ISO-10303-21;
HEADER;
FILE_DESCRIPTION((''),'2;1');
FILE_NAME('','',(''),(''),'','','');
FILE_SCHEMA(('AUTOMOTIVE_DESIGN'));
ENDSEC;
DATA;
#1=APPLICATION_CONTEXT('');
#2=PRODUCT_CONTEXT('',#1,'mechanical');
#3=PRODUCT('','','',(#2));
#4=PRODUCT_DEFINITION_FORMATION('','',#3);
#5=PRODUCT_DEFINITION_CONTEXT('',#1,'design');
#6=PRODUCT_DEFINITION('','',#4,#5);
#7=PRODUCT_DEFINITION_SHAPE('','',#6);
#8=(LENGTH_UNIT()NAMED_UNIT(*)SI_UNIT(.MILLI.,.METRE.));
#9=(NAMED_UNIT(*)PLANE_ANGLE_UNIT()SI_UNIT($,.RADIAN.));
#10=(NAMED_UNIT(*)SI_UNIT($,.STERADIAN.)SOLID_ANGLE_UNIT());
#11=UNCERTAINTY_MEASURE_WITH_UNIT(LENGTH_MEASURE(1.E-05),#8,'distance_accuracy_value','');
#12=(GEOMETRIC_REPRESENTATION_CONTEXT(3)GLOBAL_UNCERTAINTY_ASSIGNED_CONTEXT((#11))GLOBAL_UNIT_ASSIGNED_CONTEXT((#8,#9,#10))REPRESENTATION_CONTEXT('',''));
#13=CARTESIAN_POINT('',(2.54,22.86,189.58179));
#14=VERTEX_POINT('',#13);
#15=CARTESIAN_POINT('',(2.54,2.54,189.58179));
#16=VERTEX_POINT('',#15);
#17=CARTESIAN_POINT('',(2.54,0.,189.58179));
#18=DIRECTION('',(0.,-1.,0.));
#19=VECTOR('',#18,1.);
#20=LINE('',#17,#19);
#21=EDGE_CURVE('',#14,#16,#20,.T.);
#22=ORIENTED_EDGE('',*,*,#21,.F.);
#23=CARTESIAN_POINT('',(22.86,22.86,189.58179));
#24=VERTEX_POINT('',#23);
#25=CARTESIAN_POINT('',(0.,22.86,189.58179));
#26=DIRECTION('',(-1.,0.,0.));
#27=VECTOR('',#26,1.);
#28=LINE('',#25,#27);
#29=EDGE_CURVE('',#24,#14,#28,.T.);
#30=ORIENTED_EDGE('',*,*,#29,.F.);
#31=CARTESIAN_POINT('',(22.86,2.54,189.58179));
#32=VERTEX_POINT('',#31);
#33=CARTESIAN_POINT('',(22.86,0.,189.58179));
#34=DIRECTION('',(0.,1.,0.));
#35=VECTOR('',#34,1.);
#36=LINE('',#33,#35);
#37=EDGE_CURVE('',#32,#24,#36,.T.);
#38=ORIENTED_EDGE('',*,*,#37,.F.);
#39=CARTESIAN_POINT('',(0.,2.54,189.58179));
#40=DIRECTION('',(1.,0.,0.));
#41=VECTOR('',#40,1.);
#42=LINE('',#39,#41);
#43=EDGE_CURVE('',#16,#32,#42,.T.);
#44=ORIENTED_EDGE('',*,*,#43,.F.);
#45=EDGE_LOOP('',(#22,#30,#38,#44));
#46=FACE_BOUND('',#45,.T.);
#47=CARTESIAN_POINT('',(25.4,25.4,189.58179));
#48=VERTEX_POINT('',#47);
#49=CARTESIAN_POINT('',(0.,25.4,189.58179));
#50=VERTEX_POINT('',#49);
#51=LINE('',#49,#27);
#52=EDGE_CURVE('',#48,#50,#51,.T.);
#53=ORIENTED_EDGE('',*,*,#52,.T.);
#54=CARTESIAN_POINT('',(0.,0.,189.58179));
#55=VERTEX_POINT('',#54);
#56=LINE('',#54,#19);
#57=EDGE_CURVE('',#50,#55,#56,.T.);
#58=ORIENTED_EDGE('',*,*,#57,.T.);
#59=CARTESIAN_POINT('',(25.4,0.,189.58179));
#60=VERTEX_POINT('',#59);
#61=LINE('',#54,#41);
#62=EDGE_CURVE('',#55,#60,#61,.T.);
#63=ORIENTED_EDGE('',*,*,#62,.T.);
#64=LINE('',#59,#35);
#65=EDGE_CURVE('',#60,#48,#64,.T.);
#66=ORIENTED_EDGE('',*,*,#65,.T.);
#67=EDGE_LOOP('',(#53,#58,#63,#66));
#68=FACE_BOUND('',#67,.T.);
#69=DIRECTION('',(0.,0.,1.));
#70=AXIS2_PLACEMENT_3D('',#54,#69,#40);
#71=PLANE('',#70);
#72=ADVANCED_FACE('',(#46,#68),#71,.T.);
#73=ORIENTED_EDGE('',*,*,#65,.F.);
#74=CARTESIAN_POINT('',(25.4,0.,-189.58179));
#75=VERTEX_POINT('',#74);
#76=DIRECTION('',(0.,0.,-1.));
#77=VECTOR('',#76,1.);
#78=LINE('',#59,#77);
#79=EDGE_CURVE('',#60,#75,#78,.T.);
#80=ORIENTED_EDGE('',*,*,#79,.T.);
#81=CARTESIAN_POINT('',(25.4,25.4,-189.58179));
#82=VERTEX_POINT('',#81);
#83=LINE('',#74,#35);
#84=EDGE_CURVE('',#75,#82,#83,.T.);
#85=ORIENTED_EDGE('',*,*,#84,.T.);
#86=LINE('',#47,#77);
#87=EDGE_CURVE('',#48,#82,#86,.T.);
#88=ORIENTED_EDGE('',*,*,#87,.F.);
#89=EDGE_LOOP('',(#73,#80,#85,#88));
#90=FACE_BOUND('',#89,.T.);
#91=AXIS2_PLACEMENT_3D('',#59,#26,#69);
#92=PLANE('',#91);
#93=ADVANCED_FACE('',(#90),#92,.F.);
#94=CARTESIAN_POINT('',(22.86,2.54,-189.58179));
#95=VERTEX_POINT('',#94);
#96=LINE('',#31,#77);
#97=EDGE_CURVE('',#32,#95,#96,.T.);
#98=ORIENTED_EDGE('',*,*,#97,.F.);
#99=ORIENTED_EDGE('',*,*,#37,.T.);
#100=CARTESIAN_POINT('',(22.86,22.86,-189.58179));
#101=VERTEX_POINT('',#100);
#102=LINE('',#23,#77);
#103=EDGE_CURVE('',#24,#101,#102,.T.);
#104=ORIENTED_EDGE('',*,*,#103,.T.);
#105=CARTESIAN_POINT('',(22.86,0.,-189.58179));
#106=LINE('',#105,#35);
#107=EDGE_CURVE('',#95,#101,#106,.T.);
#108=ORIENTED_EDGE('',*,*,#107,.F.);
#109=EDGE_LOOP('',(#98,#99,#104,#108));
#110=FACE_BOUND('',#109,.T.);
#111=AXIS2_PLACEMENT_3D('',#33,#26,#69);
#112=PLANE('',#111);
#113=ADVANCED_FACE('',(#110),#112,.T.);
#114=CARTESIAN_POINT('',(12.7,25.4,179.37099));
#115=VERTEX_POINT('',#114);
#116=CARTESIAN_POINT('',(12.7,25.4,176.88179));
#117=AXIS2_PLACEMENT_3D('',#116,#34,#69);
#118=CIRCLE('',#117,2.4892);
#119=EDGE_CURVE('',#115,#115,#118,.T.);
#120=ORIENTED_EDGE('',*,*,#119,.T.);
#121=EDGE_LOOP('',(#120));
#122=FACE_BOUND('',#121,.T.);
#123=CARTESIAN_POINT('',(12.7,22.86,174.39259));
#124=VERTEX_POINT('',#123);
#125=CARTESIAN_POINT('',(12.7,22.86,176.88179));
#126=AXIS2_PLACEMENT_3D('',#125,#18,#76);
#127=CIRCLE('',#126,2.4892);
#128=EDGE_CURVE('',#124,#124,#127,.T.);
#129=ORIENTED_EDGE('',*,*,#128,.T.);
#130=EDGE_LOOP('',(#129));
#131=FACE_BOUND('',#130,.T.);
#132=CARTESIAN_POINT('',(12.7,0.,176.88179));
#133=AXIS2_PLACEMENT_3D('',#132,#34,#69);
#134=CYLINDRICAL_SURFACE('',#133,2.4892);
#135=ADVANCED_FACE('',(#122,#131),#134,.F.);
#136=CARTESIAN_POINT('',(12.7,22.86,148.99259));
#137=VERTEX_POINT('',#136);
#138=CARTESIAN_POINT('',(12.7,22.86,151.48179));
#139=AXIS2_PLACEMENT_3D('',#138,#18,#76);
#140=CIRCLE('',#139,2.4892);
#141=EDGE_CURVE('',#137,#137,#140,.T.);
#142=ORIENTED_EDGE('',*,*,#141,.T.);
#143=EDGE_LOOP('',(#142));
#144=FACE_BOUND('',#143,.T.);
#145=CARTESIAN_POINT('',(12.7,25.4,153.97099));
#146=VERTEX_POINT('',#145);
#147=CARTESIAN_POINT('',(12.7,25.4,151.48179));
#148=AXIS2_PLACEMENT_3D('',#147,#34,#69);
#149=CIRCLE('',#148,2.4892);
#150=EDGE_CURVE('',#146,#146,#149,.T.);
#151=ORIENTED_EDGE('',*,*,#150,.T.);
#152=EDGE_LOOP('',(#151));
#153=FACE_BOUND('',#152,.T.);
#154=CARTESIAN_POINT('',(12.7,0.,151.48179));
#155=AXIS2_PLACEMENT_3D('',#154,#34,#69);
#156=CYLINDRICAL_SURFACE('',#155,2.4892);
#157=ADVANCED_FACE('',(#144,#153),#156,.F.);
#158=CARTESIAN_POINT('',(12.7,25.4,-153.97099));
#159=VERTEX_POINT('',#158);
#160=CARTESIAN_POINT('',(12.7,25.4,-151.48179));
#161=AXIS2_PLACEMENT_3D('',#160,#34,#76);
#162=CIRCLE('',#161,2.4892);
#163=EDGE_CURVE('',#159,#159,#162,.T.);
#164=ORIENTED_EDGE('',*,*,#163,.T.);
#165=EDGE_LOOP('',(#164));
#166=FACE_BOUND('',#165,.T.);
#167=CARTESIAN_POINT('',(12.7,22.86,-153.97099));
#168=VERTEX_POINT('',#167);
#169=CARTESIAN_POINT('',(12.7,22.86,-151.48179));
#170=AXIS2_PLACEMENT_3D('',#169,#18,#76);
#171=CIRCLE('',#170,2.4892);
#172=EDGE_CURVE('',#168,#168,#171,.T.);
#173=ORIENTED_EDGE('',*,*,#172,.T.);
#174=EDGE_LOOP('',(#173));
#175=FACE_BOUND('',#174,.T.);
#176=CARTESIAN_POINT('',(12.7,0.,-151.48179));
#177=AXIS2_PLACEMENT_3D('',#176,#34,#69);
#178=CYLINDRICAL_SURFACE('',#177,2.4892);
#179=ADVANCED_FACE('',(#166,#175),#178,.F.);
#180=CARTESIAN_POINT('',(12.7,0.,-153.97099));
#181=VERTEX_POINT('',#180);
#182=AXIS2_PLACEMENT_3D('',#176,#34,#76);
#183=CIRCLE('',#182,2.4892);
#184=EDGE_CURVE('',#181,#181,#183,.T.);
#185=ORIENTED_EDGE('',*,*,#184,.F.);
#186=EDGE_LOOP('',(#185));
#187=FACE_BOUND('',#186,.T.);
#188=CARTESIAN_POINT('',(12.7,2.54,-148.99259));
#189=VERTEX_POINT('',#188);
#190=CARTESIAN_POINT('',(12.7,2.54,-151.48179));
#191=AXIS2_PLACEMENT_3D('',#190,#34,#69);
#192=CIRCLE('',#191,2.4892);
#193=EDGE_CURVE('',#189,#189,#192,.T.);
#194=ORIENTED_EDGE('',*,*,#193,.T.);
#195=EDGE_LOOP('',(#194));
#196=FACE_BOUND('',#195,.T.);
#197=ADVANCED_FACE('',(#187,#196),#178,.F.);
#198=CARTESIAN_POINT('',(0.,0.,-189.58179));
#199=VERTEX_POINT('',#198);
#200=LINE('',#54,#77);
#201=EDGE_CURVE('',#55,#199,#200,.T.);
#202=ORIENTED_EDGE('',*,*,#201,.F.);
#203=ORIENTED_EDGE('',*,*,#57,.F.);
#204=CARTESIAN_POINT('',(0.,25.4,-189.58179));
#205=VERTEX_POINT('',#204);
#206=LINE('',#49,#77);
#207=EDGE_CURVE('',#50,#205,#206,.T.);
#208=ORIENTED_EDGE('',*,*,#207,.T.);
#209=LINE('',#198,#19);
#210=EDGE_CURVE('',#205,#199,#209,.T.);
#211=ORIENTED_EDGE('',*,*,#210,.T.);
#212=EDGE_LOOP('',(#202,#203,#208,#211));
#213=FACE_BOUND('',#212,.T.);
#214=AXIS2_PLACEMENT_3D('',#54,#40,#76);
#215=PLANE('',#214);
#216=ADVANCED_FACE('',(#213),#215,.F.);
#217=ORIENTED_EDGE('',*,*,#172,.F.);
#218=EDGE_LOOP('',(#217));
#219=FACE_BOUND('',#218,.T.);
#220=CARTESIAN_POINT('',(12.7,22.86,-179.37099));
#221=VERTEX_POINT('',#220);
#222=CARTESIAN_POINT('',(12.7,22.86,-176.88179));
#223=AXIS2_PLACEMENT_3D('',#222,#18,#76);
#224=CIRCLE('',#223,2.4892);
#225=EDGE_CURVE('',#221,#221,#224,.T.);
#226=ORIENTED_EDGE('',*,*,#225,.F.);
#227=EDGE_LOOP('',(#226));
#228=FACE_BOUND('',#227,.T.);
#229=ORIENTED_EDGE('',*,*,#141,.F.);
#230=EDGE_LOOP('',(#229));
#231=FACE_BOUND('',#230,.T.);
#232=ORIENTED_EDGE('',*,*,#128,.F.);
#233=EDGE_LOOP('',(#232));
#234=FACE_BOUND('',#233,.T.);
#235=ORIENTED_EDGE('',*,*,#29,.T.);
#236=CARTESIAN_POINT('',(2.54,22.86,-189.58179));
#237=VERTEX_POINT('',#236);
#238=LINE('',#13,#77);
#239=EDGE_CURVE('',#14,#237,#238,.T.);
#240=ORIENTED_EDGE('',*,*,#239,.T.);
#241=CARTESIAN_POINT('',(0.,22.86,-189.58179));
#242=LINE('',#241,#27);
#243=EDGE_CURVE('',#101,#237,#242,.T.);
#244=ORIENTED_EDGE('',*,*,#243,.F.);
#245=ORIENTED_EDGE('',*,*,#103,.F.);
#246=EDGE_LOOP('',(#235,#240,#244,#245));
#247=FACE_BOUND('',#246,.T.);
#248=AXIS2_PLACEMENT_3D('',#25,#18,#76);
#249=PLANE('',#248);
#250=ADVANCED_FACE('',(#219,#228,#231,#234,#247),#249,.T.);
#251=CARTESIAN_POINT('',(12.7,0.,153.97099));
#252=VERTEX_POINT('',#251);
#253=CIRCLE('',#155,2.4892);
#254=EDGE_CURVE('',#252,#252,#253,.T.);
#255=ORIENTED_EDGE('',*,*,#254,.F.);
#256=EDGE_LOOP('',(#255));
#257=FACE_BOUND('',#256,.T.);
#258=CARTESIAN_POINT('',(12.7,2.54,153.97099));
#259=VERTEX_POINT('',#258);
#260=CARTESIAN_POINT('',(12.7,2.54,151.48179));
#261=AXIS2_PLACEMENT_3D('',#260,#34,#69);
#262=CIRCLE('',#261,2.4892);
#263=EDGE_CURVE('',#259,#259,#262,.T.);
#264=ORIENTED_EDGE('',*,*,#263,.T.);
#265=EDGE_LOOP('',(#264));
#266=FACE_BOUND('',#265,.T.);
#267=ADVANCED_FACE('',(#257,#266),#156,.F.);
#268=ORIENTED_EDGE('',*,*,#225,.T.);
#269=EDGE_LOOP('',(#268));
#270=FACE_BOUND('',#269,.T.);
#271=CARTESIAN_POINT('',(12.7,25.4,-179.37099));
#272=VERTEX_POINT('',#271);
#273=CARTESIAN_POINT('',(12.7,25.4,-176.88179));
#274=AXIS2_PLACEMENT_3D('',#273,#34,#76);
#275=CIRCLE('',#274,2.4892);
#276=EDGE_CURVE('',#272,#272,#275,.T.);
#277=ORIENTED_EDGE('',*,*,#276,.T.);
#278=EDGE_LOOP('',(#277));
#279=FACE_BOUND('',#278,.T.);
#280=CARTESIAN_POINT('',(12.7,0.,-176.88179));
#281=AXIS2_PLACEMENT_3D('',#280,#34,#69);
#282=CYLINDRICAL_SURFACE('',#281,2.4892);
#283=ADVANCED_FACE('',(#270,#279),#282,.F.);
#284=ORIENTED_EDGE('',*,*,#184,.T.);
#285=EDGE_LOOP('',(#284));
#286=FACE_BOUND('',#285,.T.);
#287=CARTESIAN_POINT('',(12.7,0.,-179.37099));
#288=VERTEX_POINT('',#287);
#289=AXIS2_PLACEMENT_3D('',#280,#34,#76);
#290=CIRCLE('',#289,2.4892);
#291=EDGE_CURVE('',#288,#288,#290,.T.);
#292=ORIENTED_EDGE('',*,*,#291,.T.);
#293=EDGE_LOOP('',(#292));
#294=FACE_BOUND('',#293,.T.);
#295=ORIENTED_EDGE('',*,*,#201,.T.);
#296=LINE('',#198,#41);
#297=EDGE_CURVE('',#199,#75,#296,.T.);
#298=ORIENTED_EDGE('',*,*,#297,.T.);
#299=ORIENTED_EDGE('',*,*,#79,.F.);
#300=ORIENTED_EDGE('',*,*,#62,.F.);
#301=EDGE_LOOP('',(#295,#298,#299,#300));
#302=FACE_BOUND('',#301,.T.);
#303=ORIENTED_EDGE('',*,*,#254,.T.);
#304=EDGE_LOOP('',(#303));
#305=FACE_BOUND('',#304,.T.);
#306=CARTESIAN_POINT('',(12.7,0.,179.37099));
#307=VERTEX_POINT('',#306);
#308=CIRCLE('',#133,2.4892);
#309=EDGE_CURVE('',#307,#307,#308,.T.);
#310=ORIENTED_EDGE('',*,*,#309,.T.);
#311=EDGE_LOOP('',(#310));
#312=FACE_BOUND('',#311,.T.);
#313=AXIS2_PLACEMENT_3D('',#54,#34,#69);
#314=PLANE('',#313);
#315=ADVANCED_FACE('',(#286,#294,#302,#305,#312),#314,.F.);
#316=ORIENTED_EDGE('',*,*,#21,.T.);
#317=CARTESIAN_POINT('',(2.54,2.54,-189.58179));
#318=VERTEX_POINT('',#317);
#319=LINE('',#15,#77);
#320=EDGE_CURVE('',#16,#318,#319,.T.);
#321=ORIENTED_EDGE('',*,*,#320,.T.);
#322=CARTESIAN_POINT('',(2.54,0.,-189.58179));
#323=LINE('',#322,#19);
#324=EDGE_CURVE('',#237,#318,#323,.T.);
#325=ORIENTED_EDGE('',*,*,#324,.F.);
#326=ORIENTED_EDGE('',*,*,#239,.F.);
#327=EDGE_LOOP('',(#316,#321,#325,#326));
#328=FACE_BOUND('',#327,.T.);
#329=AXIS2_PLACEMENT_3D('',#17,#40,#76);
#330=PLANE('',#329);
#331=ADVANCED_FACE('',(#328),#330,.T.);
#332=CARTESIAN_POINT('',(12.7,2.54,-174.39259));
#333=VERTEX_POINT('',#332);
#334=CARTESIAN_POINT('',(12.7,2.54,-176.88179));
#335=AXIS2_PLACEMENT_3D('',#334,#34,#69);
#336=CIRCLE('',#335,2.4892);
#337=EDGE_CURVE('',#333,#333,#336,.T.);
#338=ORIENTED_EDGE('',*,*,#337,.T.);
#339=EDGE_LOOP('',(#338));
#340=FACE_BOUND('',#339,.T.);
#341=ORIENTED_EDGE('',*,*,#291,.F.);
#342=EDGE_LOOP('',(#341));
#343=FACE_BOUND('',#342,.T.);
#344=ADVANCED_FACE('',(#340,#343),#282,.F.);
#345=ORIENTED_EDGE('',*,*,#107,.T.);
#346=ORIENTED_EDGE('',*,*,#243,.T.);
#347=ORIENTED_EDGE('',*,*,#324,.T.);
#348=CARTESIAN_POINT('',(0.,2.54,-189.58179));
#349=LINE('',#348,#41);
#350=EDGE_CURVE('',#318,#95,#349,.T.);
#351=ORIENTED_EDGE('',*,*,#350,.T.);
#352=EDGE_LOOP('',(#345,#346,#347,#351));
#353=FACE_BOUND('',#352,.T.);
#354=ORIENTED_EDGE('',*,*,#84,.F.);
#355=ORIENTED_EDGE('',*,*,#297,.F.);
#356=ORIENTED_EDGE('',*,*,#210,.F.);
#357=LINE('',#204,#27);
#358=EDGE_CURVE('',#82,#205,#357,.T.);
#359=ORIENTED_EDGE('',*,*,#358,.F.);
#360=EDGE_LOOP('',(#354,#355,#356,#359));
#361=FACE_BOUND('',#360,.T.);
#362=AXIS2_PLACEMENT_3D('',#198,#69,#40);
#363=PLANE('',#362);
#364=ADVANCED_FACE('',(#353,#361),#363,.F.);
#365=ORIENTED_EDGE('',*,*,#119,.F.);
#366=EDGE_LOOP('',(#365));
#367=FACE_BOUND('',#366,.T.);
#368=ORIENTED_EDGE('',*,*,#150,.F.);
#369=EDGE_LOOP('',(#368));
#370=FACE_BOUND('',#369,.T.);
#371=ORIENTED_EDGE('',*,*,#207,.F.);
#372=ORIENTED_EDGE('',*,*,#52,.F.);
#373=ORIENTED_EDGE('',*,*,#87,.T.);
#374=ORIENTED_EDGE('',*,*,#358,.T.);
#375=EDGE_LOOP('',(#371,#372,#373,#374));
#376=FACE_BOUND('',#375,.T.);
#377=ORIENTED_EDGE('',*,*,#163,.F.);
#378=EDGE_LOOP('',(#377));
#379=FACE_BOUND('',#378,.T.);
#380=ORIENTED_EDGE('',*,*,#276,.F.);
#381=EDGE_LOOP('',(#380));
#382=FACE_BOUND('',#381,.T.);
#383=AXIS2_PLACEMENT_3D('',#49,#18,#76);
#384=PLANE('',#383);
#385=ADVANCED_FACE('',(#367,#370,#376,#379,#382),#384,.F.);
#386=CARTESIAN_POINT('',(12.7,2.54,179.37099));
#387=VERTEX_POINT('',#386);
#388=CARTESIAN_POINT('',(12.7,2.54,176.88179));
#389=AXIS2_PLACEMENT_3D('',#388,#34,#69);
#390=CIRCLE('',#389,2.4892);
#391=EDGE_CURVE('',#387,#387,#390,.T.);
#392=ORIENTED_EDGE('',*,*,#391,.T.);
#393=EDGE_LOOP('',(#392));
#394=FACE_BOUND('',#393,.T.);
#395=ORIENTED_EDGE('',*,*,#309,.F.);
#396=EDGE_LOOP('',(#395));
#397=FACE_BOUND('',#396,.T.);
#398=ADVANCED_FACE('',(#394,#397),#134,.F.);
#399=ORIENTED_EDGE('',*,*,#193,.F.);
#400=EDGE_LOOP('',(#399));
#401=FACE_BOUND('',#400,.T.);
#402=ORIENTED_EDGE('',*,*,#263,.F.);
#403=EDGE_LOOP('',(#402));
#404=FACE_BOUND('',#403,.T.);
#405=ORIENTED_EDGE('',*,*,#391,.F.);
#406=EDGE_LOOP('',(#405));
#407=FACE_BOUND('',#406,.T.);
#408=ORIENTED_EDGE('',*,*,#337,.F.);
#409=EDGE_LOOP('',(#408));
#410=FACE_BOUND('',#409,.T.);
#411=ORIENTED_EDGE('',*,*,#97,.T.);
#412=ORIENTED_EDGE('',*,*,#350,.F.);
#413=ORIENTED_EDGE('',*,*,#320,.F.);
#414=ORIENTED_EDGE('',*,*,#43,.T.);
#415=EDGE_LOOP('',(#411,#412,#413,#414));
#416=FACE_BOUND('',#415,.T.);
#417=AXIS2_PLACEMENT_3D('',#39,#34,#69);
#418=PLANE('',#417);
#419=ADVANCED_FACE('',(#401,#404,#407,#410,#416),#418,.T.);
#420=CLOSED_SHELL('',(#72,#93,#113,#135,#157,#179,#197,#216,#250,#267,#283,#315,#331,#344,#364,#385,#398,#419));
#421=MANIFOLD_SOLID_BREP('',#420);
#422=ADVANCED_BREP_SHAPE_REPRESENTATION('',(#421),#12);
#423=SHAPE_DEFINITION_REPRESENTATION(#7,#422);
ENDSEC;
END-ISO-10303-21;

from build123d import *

# Parameters (mm, degrees)
SKETCH1_W           = 25.4
SKETCH1_H           = 25.4
SKETCH1_W_2         = 20.32
SKETCH1_H_2         = 20.32
EXTRUDE_THIN1_DEPTH = 189.58179
SKETCH2_R           = 2.4892
CUT_EXTRUDE1_DEPTH  = 26.4


with BuildPart() as part:
    # Sketch1 → Extrude-Thin1 (new body, symmetric)
    with BuildSketch(Plane.XY):
        with Locations((12.7, 12.7)):
            Rectangle(SKETCH1_W, SKETCH1_H)
        with Locations((12.7, 12.7)):
            Rectangle(SKETCH1_W_2, SKETCH1_H_2, mode=Mode.SUBTRACT)
    extrude(amount=EXTRUDE_THIN1_DEPTH, both=True)

    # Sketch2 → Cut-Extrude1 (cut, through all)
    with BuildSketch(Plane(origin=(0, 25.4, 0), x_dir=(1, 0, 0), z_dir=(0, 1, 0))):
        with Locations((12.7, -176.88179)):
            Circle(SKETCH2_R)
        with Locations((12.7, -151.48179)):
            Circle(SKETCH2_R)
        with Locations((12.7, 176.88179)):
            Circle(SKETCH2_R)
        with Locations((12.7, 151.48179)):
            Circle(SKETCH2_R)
    extrude(amount=-CUT_EXTRUDE1_DEPTH, mode=Mode.SUBTRACT)


solid = part.part
